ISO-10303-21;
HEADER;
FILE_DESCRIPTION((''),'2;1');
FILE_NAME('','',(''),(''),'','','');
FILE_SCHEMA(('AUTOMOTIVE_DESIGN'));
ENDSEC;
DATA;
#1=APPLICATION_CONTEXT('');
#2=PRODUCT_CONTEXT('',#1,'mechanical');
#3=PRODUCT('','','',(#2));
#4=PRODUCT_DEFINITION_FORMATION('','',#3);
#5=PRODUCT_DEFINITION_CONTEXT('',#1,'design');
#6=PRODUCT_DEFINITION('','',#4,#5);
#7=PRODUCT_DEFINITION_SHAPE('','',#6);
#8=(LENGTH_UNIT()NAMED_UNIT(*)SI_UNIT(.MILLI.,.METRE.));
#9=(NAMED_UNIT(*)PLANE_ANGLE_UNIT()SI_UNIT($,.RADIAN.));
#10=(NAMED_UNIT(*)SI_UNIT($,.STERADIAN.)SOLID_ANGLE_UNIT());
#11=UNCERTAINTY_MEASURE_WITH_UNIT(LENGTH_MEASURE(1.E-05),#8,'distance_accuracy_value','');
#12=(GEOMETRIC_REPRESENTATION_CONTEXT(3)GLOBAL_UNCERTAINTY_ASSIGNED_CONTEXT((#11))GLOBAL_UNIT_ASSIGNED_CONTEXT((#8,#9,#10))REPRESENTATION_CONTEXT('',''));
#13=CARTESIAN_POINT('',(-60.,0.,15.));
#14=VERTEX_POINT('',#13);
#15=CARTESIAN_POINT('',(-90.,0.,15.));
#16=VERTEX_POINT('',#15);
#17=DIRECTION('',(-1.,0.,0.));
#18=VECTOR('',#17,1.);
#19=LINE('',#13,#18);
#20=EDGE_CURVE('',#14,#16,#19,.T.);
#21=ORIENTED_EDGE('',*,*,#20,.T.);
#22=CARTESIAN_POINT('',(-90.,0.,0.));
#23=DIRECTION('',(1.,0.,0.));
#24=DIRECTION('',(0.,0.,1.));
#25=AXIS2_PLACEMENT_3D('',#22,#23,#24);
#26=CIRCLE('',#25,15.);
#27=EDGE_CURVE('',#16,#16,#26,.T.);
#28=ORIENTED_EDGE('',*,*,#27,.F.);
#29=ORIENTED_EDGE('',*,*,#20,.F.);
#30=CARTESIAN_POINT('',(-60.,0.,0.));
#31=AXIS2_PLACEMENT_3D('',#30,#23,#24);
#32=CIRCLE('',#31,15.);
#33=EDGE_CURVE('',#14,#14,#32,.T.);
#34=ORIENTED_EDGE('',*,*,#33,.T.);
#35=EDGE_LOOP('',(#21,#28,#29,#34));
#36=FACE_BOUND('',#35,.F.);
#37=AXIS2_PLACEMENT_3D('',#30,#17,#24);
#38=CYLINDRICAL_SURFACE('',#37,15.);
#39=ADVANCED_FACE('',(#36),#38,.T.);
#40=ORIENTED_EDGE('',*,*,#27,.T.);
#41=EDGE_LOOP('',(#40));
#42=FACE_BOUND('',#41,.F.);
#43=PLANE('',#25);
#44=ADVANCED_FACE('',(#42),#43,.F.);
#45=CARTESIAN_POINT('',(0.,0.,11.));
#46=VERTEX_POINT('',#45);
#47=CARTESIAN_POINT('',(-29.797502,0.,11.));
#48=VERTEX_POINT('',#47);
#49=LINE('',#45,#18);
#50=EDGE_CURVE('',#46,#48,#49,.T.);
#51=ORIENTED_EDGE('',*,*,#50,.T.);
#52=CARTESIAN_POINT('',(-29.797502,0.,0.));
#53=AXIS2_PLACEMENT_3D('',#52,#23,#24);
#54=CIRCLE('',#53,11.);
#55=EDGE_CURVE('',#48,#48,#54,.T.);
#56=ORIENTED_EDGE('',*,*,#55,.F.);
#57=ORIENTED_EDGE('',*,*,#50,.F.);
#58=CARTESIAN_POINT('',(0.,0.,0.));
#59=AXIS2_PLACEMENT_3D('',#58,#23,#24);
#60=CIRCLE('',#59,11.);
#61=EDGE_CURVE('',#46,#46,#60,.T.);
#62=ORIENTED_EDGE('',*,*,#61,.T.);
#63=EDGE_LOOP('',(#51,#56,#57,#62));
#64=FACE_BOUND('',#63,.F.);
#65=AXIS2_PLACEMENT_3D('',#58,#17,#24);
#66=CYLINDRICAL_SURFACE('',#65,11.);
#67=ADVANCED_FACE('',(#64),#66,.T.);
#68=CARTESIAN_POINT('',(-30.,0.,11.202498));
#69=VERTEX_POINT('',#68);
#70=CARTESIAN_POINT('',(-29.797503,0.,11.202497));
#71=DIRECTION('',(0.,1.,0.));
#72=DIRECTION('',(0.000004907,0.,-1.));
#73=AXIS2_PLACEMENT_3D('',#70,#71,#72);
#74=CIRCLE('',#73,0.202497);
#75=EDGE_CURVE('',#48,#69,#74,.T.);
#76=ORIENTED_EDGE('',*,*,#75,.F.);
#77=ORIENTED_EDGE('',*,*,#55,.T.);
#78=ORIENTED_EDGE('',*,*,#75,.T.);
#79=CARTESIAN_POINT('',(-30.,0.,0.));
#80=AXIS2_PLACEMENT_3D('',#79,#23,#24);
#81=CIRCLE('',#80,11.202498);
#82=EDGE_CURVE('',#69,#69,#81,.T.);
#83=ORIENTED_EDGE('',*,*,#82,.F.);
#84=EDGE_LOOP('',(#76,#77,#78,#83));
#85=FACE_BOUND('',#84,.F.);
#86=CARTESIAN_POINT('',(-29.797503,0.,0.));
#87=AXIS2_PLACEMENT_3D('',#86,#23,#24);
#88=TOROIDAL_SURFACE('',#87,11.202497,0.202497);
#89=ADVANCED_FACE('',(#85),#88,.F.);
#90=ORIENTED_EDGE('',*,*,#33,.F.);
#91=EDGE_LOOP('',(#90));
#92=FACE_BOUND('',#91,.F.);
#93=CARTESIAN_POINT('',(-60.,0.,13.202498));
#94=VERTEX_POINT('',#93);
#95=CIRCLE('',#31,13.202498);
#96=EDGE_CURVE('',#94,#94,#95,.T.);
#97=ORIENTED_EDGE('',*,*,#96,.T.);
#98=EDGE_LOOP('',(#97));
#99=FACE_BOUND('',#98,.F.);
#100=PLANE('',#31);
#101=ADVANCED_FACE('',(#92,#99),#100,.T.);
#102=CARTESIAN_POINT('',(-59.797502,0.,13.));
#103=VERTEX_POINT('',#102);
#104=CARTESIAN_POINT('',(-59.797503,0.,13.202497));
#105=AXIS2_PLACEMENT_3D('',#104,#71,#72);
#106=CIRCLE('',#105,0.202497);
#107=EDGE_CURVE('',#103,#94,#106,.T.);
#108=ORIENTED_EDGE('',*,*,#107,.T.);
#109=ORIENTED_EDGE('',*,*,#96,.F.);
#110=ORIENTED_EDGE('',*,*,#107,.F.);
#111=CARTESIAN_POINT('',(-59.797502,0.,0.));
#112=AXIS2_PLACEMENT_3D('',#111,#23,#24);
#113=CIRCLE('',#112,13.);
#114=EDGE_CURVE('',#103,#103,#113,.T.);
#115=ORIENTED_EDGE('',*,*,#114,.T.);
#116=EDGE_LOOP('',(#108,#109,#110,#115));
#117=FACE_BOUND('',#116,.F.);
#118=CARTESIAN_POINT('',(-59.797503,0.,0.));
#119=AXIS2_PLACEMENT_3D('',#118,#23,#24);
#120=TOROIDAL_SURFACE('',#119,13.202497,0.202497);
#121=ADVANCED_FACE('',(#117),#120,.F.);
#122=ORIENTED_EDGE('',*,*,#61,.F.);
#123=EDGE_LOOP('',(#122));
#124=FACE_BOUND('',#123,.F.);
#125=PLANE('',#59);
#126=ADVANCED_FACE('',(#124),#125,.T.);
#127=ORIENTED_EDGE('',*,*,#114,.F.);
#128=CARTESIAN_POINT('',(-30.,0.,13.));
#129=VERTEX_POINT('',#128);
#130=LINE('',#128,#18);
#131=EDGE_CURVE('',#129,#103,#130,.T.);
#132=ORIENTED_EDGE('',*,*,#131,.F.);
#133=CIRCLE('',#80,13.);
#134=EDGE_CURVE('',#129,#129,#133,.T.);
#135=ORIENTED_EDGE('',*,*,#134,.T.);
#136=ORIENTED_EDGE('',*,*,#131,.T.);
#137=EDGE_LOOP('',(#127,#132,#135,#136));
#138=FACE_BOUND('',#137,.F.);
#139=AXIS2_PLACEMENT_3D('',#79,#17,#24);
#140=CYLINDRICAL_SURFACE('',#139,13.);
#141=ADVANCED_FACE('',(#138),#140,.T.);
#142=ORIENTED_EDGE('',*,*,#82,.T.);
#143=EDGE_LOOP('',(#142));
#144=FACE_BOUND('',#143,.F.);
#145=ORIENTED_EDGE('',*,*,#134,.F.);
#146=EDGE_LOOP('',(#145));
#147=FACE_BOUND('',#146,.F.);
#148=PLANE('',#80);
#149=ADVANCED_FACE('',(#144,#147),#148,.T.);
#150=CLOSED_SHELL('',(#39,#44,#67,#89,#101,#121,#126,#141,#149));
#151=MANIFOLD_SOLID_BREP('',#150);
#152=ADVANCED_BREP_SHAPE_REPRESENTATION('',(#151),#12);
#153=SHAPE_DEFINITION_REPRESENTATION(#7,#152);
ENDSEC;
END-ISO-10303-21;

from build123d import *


with BuildPart() as f1:
    # F0 (on Front) → F1 (revolve)
    with BuildSketch(Plane.XZ):
        with BuildLine():
            Line((-90, 0), (0, 0))
            Line((0, 0), (0, 11))
            Line((0, 11), (-29.797502, 11))
            ThreePointArc((-29.797502, 11), (-29.94069, 11.05931), (-30, 11.202498))
            Line((-30, 11.202498), (-30, 13))
            Line((-30, 13), (-59.797502, 13))
            ThreePointArc((-59.797502, 13), (-59.94069, 13.05931), (-60, 13.202498))
            Line((-60, 13.202498), (-60, 15))
            Line((-60, 15), (-90, 15))
            Line((-90, 15), (-90, 0))
        make_face()
    revolve(axis=Axis((-45, 0, 0), (1, 0, 0)))


solid = f1.part
